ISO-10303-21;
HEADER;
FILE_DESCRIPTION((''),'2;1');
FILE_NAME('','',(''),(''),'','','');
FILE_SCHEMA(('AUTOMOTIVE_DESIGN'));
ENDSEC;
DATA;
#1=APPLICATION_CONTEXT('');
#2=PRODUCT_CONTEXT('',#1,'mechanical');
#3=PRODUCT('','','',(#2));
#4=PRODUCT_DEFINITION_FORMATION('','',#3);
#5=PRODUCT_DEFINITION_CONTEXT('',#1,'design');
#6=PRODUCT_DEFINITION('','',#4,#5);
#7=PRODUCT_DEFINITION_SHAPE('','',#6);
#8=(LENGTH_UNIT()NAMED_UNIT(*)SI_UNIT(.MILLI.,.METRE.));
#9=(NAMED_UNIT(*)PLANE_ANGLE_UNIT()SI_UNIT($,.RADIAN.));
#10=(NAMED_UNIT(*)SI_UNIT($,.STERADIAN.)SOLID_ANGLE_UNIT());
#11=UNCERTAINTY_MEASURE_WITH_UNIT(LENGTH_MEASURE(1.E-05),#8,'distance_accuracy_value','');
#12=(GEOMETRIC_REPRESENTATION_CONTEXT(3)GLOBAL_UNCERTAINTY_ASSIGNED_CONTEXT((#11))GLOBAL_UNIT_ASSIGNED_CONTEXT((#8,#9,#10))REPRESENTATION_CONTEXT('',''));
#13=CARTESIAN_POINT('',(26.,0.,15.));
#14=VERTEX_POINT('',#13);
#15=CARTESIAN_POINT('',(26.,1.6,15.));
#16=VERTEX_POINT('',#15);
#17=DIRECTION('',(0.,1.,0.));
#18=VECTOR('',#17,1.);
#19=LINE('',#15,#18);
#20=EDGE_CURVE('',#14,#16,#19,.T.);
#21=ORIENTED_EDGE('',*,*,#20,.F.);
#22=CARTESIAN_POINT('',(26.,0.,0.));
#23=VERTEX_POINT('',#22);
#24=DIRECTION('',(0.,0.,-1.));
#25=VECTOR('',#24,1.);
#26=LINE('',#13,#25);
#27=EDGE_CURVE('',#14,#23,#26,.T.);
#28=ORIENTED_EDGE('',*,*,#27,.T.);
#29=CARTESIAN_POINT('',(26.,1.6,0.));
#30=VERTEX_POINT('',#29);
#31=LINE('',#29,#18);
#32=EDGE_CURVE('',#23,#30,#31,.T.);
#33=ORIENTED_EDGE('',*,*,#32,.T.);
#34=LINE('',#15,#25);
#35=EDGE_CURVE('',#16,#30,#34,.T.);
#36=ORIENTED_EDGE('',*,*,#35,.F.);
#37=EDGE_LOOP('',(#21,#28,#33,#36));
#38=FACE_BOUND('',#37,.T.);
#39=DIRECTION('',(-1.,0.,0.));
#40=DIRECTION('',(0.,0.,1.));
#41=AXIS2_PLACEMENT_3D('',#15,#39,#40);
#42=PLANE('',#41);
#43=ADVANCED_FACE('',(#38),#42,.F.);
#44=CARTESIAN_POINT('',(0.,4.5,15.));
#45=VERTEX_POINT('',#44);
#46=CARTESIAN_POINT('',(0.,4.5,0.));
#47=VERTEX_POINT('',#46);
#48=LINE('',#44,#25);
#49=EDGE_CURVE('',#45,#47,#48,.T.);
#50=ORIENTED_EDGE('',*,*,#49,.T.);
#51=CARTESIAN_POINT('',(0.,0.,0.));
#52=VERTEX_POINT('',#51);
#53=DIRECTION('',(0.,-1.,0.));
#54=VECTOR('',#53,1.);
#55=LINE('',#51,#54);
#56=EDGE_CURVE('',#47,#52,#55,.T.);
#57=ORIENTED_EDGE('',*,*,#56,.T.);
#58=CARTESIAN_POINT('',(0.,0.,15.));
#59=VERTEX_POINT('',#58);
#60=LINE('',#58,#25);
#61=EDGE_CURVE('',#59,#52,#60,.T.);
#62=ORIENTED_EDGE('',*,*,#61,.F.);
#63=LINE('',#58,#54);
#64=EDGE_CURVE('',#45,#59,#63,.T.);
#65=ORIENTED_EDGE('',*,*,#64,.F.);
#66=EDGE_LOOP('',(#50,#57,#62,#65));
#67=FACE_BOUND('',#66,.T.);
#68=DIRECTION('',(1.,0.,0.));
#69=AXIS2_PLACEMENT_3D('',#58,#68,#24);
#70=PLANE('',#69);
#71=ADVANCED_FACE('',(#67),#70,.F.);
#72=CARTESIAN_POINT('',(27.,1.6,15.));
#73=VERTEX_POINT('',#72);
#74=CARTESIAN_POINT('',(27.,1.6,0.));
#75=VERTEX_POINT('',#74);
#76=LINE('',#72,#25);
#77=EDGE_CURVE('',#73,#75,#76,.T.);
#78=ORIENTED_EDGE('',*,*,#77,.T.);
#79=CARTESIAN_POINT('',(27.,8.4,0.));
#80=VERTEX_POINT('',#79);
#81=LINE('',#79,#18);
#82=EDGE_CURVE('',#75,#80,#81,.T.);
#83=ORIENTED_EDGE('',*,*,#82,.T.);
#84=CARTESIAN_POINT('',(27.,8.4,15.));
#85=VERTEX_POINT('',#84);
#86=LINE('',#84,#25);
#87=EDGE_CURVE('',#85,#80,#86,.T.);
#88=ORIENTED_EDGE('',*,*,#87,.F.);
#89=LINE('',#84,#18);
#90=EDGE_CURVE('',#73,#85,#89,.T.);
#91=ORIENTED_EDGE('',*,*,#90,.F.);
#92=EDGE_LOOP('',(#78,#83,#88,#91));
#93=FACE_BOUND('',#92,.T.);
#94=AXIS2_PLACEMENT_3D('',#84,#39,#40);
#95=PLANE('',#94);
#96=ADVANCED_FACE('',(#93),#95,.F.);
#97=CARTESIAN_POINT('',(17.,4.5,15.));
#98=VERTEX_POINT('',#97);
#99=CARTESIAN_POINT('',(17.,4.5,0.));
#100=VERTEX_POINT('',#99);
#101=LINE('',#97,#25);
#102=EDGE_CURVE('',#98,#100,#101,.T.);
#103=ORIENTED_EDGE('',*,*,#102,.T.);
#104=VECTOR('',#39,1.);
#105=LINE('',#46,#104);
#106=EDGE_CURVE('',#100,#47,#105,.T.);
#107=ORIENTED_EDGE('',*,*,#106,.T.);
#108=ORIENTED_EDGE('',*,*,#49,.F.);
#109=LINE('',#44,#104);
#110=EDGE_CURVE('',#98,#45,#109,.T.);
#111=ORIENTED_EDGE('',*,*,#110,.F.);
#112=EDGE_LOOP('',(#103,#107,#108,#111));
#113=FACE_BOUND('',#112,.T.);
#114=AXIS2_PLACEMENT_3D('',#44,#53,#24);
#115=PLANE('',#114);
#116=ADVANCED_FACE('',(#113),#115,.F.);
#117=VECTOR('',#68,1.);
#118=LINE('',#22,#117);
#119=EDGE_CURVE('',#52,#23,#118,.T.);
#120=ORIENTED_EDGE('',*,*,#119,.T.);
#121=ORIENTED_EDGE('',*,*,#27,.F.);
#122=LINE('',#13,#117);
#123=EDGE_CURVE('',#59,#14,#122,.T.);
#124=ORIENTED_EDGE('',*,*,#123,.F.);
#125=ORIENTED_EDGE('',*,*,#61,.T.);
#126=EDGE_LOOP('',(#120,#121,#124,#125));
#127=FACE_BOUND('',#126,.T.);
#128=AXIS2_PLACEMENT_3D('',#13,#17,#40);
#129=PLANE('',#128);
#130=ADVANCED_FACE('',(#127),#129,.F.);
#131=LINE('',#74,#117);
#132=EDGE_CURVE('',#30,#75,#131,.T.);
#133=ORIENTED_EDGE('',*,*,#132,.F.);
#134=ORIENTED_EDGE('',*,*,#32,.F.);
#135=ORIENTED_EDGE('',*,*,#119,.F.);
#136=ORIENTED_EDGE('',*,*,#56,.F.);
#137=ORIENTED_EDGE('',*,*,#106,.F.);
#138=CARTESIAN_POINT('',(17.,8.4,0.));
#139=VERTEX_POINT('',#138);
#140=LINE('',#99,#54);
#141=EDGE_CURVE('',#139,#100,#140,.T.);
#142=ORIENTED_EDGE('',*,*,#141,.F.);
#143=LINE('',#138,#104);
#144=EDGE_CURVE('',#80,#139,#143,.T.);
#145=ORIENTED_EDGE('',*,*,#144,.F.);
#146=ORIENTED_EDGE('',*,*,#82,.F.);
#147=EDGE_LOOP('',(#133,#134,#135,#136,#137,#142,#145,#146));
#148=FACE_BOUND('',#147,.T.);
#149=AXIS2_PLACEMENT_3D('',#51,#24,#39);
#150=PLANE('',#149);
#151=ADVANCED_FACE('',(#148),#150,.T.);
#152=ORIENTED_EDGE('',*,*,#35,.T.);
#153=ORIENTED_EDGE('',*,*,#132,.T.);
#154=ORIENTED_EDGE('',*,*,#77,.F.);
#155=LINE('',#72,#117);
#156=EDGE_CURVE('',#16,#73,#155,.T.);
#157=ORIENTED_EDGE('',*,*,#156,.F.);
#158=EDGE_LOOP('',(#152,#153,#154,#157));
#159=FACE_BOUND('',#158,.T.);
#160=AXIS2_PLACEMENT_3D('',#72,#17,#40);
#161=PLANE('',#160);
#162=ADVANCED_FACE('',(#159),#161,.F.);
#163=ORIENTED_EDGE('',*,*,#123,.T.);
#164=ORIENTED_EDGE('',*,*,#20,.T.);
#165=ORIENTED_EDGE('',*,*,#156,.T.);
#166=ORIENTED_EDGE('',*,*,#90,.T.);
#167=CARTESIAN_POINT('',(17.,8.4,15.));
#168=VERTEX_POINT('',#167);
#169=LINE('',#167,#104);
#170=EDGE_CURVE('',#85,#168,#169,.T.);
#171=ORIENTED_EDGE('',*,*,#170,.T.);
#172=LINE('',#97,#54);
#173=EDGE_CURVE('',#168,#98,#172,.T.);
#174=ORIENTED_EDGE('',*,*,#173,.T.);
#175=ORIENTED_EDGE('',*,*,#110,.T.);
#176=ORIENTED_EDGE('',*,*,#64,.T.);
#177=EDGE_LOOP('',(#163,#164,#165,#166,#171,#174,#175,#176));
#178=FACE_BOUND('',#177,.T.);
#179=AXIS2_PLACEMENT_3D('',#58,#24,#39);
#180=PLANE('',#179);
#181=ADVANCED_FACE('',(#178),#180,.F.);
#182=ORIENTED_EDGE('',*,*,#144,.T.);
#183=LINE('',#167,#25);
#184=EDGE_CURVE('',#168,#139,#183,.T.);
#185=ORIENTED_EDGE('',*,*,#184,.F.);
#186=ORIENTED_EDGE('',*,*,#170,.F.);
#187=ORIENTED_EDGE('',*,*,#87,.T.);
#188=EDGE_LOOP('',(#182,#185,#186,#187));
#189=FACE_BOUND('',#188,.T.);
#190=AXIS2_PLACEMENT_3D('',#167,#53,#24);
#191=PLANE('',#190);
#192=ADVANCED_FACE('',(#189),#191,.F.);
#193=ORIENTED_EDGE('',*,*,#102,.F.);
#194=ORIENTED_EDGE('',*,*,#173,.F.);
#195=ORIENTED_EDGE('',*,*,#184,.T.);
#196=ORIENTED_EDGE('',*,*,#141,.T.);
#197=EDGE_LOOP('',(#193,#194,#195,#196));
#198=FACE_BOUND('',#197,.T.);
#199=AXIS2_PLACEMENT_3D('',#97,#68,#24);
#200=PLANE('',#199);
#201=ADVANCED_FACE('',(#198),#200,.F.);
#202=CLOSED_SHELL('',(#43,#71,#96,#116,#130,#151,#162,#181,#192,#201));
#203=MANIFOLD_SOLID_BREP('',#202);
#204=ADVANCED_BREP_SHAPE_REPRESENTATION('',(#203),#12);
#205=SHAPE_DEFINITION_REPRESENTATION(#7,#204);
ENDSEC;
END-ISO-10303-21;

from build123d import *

# Parameters (mm, degrees)
BOSS_EXTRUDE1_DEPTH = 15


with BuildPart() as part:
    # Sketch1 → Boss-Extrude1 (new body)
    with BuildSketch(Plane.XY):
        Polygon((0, 0), (0, 4.5), (17, 4.5), (17, 8.4), (27, 8.4), (27, 1.6), (26, 1.6), (26, 0), align=None)
    extrude(amount=BOSS_EXTRUDE1_DEPTH)


solid = part.part
